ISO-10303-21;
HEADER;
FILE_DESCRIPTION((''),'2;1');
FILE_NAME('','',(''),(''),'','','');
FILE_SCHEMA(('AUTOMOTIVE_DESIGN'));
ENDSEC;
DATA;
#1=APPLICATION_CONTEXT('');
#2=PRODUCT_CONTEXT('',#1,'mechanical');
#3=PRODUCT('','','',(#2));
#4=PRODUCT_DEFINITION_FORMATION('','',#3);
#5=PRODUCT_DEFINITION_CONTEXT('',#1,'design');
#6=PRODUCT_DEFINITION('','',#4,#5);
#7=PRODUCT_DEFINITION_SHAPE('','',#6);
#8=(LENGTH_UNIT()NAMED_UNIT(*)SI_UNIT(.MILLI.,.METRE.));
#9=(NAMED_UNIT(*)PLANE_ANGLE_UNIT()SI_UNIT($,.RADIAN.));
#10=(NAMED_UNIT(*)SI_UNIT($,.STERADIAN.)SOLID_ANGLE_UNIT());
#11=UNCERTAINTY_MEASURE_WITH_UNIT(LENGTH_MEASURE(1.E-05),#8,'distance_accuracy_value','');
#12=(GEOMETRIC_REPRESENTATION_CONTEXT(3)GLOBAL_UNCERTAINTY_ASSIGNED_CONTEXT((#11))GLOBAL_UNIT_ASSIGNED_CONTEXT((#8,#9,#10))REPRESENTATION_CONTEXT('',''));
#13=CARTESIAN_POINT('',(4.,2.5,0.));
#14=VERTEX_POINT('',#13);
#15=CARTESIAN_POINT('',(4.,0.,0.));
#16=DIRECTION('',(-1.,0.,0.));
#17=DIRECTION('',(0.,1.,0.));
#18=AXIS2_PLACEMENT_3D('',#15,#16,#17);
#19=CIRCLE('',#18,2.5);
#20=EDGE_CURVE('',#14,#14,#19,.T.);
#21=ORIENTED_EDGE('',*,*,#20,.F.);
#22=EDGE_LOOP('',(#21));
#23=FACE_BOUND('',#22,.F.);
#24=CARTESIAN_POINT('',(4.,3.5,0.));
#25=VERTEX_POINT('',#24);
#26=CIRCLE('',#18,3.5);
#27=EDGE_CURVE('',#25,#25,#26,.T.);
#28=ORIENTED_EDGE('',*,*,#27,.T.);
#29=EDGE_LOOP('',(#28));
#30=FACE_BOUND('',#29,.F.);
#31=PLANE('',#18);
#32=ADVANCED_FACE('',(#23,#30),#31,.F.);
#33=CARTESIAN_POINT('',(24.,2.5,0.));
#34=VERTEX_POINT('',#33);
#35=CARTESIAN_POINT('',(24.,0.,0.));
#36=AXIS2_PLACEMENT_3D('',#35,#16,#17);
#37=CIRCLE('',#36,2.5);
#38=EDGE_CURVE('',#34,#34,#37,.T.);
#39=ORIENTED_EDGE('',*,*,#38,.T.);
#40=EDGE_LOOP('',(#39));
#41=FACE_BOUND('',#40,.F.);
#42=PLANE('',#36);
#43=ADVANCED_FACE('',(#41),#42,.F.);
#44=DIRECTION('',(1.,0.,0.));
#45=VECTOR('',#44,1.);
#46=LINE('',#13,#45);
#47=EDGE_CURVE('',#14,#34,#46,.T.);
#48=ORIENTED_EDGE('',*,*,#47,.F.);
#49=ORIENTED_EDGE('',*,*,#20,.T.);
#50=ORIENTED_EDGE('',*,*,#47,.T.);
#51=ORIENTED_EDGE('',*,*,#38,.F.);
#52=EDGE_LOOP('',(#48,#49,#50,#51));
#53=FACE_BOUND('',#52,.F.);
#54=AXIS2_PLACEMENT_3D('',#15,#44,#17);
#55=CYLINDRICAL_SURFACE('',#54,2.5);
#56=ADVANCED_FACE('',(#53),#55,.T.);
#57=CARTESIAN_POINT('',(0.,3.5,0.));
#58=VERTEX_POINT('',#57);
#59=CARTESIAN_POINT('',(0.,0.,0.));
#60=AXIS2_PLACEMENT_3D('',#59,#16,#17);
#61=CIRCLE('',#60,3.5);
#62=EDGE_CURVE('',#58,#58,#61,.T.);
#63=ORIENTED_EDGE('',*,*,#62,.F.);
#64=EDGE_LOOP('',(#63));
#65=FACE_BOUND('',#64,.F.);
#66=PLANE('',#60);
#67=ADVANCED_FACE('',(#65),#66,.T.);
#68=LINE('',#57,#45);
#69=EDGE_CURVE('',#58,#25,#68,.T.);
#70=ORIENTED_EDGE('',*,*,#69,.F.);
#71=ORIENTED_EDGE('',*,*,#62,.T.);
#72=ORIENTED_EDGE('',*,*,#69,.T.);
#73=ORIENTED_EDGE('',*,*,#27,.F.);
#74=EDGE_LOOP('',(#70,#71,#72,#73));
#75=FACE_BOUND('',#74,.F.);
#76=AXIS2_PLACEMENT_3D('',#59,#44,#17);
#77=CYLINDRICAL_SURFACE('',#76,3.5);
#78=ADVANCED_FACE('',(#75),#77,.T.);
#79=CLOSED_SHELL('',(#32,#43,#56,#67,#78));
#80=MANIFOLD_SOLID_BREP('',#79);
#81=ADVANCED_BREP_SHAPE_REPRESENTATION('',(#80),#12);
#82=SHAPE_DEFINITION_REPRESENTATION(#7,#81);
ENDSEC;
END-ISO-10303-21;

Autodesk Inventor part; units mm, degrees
ref_plane "YZ Plane" through (0, 0, 0) normal (1, 0, 0) x (0, 1, 0)
ref_plane "XZ Plane" through (0, 0, 0) normal (0, 1, 0) x (-1, 0, 0)
ref_plane "XY Plane" through (0, 0, 0) normal (0, 0, 1) x (1, 0, 0)
sketch "Sketch1" plane through (0, 0, 0) normal (0, 0, 1) x (1, 0, 0)
  line L0 (0, 0) -> (0, 3.5)
  line L1 (0, 3.5) -> (4, 3.5)
  line L2 (4, 3.5) -> (4, 2.5)
  line L3 (4, 2.5) -> (24, 2.5)
  line L4 (24, 2.5) -> (24, 0)
  line L5 (24, 0) -> (0, 0)
  dimension "d0" = 24
  dimension "d1" = 20
  dimension "d2" = 5
  dimension "d3" = 7
revolve "Revolution1" add sketch "Sketch1" angle 360 about axis through (24, 0, 0) along (-1, 0, 0)
thread "Thread1" size "M5x0.8" class "6g" standard "ISO Metric profile" full length
properties part number "fastener"
